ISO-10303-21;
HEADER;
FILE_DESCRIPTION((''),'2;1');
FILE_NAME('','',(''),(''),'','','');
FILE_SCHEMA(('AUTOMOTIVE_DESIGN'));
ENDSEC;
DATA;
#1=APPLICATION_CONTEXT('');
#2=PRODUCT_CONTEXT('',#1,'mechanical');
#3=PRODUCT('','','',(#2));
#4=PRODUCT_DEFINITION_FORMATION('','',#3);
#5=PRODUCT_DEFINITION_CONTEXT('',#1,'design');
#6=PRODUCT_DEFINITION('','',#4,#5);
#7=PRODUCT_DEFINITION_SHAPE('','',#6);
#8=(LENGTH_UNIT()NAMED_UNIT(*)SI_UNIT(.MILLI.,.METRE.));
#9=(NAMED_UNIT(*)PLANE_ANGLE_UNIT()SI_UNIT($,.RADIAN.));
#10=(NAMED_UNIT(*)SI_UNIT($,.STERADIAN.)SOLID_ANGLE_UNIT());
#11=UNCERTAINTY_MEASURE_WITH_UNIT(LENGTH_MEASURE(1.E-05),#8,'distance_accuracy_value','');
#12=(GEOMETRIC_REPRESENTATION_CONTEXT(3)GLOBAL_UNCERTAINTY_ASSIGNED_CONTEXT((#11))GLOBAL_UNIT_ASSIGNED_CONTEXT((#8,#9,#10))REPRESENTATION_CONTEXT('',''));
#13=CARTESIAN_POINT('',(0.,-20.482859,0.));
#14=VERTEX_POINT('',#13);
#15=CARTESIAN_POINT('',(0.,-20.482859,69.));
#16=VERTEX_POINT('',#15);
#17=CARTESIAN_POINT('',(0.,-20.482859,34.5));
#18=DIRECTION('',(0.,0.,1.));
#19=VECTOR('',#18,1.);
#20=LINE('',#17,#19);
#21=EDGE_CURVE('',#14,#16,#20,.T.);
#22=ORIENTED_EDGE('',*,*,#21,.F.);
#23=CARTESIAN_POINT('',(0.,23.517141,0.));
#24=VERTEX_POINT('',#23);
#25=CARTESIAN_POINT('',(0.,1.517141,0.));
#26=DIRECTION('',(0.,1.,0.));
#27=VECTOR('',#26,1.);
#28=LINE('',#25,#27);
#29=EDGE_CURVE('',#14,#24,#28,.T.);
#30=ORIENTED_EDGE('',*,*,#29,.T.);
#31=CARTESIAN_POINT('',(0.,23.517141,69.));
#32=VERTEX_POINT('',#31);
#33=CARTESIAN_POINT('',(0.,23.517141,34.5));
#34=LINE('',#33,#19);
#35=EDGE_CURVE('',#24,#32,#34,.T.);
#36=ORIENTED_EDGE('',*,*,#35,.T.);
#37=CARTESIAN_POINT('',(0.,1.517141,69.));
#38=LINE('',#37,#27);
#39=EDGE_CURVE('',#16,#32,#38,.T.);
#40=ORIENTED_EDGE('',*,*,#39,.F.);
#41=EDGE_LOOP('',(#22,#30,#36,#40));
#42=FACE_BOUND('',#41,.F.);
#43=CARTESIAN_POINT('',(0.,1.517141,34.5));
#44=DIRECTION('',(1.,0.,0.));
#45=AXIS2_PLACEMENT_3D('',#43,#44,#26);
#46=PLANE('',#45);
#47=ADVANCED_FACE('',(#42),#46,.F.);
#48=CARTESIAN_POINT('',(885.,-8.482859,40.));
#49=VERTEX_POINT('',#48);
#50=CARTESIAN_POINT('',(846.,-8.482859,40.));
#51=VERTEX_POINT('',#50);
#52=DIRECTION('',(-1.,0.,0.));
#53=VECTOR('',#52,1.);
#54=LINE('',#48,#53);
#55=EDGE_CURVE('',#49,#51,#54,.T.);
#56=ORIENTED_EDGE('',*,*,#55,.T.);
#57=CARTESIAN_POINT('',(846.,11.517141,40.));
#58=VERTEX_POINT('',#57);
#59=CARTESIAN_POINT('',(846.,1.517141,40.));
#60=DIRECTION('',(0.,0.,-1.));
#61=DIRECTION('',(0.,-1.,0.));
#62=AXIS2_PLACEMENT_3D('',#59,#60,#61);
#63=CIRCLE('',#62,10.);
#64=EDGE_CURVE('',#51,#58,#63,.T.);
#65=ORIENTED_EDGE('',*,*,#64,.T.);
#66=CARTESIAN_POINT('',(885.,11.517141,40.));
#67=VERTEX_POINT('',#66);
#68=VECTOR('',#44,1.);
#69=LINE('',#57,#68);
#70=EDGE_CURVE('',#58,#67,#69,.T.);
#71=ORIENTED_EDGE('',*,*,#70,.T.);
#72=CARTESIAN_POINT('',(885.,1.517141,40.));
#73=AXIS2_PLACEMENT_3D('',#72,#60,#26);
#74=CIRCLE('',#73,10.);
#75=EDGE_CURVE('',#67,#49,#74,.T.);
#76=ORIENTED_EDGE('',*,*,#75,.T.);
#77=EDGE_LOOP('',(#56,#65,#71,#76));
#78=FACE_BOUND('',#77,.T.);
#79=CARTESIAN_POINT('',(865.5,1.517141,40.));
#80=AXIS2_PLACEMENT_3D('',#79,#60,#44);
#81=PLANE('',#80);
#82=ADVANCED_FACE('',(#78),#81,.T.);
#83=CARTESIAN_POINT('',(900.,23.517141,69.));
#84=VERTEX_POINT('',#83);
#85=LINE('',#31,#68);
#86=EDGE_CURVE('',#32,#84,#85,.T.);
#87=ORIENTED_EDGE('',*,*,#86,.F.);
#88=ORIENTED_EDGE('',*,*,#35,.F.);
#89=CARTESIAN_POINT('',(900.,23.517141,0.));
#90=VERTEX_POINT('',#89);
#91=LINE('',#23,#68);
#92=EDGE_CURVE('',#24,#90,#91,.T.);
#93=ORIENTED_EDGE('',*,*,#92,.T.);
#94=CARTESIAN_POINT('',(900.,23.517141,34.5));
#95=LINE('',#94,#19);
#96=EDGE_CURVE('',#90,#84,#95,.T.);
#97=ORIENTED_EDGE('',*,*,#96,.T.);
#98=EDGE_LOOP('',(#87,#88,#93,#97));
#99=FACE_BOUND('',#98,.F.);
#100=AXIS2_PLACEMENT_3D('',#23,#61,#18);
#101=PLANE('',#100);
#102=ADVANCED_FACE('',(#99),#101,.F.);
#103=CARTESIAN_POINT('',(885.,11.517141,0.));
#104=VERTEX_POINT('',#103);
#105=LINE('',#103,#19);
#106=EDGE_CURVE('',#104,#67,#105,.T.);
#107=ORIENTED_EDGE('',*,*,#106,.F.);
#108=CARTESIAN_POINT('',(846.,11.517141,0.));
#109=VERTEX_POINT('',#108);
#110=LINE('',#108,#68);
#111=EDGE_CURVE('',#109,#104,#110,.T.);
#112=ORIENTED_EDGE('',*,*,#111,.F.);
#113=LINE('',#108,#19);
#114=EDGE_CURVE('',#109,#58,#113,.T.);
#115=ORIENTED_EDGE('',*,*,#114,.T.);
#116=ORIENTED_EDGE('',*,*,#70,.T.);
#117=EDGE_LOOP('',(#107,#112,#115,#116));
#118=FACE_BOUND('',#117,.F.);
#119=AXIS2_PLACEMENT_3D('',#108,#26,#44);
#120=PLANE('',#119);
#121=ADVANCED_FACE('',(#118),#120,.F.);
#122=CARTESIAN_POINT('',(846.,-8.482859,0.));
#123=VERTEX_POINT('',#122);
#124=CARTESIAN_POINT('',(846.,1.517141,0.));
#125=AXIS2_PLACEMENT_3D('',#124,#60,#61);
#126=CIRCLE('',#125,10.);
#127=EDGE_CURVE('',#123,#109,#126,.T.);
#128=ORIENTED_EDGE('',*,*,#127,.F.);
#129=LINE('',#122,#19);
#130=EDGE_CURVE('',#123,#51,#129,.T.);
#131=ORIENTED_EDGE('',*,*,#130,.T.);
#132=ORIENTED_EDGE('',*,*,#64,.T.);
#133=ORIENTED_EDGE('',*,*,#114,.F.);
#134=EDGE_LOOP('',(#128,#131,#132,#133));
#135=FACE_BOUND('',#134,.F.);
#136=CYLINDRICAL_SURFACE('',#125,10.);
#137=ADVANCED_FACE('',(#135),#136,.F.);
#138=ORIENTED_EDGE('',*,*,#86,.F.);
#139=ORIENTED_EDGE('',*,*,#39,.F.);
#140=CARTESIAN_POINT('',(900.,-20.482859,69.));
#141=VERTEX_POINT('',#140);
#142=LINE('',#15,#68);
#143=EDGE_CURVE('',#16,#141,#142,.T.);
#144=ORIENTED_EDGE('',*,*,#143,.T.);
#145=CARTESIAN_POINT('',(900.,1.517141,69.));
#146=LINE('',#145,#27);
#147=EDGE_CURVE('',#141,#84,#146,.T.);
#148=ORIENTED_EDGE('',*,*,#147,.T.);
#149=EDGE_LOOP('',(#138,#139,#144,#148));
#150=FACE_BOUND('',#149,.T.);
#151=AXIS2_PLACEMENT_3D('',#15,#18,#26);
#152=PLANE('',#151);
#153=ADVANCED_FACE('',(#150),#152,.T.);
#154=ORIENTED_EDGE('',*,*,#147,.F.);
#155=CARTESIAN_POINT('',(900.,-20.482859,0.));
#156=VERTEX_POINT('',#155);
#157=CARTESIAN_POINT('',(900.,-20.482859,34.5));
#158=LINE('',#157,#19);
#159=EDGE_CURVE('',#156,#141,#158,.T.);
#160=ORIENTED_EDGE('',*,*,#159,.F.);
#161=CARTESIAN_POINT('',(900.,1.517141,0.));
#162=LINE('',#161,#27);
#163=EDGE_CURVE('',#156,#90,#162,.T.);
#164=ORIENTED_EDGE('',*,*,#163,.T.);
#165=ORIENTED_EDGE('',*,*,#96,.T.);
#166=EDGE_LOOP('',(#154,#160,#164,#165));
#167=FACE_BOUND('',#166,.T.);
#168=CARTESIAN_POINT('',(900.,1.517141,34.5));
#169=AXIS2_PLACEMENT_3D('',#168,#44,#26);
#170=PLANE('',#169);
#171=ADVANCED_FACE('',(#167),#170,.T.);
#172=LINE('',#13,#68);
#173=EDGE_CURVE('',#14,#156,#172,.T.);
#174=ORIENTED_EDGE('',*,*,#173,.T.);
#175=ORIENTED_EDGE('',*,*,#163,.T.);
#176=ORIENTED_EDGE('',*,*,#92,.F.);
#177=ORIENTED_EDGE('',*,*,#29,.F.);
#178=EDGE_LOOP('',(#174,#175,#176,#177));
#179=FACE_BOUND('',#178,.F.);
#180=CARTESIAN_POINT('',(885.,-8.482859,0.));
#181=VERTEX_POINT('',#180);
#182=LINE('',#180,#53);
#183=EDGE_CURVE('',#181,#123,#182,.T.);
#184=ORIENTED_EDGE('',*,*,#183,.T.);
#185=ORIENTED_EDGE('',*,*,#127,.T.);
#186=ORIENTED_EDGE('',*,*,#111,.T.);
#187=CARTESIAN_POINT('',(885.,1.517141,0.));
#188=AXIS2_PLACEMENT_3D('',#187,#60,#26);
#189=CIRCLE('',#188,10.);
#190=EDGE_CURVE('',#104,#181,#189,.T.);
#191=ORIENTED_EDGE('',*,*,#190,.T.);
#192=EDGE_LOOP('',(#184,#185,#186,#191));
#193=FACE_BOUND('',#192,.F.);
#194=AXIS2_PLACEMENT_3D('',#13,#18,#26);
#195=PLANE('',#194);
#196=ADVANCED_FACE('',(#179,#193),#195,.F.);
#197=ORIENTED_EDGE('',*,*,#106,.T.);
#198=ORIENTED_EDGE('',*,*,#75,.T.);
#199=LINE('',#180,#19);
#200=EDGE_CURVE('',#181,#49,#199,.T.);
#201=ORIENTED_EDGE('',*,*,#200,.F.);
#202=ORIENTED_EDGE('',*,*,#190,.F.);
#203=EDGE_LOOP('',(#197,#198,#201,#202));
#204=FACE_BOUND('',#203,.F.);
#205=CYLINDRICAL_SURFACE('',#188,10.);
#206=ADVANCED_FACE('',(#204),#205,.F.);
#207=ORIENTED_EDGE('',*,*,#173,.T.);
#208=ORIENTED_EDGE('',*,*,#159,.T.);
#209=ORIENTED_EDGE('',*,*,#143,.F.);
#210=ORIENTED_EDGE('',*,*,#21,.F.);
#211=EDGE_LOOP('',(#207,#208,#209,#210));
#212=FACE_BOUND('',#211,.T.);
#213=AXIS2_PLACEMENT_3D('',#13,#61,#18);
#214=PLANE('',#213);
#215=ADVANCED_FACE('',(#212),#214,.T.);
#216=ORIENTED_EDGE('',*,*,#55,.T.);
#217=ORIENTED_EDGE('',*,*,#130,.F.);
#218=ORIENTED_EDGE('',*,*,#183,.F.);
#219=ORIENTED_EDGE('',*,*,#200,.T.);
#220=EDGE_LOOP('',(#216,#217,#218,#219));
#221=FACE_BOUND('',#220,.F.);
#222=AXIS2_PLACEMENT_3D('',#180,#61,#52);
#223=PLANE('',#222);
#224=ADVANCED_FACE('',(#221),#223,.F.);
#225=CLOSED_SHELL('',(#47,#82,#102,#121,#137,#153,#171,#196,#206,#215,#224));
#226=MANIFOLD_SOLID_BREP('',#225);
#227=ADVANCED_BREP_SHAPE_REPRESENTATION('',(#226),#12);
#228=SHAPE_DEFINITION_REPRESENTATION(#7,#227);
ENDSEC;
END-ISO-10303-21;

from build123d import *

# Parameters (mm, degrees)
F0_W     = 44
F0_H     = 69
F1_DEPTH = 900
F3_DEPTH = 40


with BuildPart() as f1:
    # F0 (on Right) → F1 (new body)
    with BuildSketch(Plane.YZ):
        with Locations((1.517141, 34.5)):
            Rectangle(F0_W, F0_H)
    extrude(amount=F1_DEPTH)

    # F2 (on face) → F3 (cut)
    with BuildSketch(Plane(origin=(0, 0, 0), x_dir=(1, 0, 0), z_dir=(0, 0, -1))):
        with BuildLine():
            ThreePointArc((885, -11.517141), (895, -1.517141), (885, 8.482859))
            Line((885, 8.482859), (846, 8.482859))
            ThreePointArc((846, 8.482859), (836, -1.517141), (846, -11.517141))
            Line((846, -11.517141), (885, -11.517141))
        make_face()
    extrude(amount=-F3_DEPTH, mode=Mode.SUBTRACT)


solid = f1.part
